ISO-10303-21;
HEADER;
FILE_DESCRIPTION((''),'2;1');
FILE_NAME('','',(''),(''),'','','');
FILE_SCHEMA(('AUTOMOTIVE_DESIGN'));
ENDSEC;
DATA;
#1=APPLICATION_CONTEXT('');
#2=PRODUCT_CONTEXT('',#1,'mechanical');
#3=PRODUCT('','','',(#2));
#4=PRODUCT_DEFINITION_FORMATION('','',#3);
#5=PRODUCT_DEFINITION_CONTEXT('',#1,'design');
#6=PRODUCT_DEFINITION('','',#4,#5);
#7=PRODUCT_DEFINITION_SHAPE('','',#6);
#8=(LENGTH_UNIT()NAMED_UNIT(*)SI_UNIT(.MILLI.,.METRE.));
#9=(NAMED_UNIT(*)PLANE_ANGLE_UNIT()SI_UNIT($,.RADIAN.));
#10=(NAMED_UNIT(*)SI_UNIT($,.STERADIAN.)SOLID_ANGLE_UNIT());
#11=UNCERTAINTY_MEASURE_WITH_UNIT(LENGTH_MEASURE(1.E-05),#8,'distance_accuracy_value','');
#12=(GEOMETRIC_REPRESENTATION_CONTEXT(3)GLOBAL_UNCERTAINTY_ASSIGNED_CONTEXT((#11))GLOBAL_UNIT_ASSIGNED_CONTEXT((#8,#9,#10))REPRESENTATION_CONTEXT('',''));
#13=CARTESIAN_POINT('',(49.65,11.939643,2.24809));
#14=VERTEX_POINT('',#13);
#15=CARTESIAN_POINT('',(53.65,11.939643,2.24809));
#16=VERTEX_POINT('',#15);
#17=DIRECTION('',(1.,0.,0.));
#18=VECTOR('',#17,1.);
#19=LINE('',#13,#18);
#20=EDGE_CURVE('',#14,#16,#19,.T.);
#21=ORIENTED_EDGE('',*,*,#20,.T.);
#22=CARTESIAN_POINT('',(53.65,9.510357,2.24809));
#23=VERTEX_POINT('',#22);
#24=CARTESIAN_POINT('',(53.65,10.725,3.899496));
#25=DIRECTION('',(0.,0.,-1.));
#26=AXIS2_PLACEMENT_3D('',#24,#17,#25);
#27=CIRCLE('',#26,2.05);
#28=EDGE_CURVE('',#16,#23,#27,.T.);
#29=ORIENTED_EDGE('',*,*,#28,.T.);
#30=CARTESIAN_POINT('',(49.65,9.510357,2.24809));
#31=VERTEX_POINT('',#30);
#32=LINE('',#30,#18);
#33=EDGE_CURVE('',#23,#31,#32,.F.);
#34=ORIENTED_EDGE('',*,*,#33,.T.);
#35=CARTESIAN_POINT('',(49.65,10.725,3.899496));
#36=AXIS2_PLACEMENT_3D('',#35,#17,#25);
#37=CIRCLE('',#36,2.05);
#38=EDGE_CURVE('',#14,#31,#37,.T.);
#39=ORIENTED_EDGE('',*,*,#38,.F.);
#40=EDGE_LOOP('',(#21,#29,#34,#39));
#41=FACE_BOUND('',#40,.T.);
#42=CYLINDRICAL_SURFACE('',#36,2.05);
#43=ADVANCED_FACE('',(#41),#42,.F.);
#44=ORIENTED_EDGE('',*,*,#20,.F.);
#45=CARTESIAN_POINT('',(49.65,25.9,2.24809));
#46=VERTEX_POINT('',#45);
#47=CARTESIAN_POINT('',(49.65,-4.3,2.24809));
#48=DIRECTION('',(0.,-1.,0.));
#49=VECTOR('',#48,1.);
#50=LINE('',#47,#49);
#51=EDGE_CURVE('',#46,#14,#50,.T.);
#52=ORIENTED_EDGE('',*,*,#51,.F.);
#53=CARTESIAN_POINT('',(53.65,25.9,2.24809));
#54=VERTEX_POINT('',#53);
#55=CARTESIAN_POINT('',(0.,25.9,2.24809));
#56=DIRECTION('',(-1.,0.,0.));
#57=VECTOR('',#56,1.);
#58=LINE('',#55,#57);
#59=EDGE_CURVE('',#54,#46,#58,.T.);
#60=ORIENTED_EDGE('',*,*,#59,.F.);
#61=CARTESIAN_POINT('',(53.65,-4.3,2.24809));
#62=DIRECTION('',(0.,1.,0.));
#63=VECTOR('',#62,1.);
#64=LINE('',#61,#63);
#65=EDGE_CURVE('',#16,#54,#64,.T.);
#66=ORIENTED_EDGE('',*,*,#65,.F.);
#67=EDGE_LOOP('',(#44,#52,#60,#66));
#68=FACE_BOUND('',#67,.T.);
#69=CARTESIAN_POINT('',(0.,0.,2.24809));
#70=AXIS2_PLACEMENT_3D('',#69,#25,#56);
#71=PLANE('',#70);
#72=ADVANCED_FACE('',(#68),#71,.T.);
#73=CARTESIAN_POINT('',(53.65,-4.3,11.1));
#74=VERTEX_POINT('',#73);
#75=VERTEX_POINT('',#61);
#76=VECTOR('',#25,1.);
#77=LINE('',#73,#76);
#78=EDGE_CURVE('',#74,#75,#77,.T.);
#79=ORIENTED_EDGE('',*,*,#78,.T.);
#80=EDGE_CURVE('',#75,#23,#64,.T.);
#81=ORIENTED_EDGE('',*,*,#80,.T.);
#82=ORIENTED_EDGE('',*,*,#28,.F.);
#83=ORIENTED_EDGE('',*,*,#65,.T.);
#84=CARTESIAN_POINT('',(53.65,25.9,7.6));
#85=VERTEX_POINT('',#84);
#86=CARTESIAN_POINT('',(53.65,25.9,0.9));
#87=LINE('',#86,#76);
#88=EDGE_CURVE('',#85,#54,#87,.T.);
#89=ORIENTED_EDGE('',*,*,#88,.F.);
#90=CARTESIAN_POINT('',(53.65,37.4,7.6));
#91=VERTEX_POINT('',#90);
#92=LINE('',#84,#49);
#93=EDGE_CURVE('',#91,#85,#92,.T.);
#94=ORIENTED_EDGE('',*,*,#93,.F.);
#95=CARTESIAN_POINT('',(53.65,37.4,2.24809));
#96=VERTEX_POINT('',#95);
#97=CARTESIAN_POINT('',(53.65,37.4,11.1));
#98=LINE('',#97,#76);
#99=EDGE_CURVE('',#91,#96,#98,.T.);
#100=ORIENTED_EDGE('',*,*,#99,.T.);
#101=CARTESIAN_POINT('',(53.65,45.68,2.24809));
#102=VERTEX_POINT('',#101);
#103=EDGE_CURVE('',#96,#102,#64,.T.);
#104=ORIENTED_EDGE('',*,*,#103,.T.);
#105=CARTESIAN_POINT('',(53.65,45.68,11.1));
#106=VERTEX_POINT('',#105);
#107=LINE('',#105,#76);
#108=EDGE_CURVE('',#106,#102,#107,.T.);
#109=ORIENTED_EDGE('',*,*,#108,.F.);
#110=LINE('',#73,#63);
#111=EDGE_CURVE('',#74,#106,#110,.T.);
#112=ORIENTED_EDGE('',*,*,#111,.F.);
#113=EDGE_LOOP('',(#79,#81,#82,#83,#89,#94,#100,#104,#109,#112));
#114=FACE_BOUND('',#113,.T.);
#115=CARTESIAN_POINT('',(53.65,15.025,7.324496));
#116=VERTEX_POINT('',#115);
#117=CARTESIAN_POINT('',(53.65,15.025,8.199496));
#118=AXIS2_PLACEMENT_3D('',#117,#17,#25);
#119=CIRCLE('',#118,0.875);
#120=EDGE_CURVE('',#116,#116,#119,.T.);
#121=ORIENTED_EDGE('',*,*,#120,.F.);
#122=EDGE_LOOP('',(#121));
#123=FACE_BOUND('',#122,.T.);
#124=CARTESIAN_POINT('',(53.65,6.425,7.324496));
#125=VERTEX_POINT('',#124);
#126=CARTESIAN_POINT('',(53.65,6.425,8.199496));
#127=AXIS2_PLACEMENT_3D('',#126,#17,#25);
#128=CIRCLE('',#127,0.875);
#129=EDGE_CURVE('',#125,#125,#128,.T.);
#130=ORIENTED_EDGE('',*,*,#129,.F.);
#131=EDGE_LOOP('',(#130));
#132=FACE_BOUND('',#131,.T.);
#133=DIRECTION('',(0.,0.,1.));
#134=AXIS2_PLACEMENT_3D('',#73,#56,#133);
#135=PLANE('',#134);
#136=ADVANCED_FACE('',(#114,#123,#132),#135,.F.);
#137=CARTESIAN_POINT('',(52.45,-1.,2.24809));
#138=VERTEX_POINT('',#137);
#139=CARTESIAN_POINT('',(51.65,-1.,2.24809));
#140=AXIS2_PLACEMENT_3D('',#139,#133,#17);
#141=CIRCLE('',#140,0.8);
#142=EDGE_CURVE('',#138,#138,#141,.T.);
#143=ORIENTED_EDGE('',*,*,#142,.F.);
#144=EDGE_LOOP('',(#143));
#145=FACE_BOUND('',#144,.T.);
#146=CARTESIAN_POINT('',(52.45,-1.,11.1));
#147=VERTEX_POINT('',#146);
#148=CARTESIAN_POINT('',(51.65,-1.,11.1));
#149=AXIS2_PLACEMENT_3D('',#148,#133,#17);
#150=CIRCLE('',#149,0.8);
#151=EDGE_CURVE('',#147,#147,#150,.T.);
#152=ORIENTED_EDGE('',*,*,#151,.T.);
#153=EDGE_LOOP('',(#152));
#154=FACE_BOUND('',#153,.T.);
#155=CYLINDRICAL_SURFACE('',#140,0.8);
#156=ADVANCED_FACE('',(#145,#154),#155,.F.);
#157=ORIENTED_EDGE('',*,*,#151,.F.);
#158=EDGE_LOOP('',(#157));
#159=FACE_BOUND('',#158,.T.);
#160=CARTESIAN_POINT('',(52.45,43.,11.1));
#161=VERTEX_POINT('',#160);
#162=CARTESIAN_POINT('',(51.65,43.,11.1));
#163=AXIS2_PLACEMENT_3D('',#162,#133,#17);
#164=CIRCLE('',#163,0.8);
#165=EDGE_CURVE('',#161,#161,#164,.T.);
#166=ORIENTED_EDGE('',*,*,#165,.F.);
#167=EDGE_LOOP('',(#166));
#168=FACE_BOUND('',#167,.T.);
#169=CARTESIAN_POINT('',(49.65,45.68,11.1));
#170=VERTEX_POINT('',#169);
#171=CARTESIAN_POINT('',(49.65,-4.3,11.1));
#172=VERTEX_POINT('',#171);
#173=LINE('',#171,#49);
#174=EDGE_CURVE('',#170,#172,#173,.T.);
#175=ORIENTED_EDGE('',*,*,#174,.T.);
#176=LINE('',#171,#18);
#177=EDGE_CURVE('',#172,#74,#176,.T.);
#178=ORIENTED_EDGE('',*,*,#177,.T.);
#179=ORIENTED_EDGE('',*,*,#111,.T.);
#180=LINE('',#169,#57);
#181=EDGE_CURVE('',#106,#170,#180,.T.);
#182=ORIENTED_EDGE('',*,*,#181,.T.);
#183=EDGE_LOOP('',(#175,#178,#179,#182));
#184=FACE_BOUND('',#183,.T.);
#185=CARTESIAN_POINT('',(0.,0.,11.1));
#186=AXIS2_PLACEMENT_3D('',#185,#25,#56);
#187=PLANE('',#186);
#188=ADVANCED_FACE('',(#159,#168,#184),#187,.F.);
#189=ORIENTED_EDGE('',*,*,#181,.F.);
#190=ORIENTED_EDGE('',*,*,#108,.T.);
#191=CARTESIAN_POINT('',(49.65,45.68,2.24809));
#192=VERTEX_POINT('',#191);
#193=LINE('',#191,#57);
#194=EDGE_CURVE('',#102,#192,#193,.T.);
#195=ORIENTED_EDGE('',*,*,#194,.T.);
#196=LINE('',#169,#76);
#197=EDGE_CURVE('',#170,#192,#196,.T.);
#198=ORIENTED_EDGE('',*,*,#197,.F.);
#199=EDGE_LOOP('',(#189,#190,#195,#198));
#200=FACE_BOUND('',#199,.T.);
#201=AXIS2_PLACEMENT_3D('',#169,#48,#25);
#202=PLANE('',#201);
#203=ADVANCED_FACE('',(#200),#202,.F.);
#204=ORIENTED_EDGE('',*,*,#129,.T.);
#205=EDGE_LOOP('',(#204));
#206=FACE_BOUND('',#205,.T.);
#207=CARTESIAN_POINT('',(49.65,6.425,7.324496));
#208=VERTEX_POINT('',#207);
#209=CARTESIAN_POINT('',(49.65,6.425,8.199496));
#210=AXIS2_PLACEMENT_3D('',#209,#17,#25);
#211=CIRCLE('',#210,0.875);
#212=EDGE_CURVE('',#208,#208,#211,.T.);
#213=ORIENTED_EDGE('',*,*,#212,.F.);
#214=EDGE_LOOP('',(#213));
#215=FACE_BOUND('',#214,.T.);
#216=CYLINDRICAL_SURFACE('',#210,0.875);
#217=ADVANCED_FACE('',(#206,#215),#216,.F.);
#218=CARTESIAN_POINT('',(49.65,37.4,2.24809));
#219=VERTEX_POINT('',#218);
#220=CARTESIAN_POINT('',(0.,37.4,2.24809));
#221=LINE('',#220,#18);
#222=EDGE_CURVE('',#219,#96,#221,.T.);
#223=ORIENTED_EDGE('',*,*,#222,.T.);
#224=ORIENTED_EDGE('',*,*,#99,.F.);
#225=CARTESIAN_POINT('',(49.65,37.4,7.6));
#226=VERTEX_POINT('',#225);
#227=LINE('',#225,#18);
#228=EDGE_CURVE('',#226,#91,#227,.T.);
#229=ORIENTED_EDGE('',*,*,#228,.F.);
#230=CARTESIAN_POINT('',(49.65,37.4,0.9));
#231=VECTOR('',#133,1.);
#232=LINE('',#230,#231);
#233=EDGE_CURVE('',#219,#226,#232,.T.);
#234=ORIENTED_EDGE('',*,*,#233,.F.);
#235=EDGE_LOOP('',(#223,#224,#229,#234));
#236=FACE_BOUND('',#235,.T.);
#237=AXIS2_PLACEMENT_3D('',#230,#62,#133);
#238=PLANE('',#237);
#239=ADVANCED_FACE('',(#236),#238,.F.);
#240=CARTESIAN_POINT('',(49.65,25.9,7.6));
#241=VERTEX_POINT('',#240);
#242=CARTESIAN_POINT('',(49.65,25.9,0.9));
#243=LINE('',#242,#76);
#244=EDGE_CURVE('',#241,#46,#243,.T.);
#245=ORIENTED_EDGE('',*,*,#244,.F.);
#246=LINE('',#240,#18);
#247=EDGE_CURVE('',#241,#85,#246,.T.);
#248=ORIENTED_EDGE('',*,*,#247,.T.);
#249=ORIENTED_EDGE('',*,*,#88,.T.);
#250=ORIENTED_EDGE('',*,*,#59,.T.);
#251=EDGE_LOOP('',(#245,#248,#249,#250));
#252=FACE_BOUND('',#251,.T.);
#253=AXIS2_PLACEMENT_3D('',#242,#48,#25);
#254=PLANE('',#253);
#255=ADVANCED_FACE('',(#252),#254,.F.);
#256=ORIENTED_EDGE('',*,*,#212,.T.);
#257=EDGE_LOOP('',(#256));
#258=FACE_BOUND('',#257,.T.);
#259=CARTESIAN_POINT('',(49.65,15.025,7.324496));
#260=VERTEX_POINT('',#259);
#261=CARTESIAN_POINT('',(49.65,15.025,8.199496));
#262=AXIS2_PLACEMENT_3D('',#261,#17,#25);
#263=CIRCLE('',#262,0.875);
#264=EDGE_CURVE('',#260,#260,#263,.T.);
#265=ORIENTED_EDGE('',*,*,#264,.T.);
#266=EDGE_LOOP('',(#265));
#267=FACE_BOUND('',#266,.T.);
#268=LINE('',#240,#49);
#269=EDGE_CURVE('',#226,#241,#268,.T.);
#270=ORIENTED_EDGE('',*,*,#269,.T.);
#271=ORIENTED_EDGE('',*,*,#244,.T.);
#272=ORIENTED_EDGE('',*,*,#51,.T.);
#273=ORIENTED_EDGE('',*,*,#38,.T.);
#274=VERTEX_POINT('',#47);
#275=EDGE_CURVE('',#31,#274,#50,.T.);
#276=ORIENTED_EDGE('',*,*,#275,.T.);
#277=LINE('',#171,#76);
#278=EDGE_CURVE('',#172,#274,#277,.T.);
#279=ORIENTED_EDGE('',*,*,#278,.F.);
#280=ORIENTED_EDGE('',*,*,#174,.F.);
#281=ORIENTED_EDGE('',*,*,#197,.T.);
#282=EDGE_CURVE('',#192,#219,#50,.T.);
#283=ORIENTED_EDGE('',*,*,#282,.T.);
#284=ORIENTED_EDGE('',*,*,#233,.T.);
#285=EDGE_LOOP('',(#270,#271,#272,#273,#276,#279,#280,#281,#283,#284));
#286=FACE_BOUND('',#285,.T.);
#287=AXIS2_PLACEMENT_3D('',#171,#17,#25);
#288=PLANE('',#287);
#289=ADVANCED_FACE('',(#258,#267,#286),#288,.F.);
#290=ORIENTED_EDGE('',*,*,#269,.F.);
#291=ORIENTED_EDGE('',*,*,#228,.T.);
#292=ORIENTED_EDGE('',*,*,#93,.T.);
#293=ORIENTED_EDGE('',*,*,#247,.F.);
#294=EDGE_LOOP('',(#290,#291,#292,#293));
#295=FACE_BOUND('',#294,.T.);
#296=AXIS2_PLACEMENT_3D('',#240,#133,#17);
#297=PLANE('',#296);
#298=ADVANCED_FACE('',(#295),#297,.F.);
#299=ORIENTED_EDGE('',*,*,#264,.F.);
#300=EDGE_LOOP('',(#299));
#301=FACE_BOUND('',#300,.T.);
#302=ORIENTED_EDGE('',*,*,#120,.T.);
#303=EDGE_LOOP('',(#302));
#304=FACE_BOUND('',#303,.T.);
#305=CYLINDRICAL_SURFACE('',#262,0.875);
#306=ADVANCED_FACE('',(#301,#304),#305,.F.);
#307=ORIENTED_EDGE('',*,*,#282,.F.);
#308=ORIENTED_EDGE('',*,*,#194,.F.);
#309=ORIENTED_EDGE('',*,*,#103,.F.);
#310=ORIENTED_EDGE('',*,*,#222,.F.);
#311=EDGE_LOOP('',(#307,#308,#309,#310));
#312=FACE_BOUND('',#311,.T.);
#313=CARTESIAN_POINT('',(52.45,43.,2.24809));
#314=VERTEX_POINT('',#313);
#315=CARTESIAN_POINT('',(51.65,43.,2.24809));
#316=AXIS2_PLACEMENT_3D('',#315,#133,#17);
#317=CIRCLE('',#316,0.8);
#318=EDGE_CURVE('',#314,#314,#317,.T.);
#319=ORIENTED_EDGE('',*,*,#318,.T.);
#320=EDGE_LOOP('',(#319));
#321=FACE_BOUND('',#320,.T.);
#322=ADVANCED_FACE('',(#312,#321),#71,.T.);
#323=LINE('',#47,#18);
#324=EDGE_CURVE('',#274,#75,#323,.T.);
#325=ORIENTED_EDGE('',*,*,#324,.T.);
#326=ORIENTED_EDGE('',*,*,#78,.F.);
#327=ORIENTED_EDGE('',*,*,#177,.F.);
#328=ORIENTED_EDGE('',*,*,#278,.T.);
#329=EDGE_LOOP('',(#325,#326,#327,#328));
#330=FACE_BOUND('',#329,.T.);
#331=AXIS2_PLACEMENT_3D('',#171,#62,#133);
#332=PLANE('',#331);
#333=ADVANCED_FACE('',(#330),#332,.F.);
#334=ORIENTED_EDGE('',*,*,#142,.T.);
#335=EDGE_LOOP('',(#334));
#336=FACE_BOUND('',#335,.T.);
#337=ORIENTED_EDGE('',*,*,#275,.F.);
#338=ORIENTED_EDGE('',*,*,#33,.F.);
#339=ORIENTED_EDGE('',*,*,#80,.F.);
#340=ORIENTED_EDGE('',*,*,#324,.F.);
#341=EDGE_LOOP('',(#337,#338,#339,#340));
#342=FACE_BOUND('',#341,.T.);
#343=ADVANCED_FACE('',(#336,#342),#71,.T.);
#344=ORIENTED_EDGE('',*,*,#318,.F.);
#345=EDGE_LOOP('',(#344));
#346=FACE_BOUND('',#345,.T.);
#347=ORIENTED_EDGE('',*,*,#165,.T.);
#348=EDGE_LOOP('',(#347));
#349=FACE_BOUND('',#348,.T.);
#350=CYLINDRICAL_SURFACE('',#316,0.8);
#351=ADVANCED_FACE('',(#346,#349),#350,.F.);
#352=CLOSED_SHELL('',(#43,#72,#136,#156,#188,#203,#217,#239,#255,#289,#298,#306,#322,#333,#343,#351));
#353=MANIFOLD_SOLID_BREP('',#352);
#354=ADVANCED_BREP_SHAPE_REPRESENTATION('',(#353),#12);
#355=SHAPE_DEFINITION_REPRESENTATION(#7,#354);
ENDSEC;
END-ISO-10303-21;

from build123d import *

# Parameters (mm, degrees)
SKETCH_1_W                      = 4
SKETCH_1_H                      = 49.98
RIGHT_RF_PLATE_DEPTH            = 8.851909566
SKETCH_2_R                      = 0.8
FRAME_2XD1P6_THROUGH_DEPTH      = 72.016485431
SKETCH_3_R                      = 2.05
SMA_CENTER_D4P1_DEPTH           = 4
SKETCH_4_R                      = 0.875
SMA_UPPER_2XD1P75_THROUGH_DEPTH = 48.179152176
SKETCH_5_W                      = 6.7
SKETCH_5_H                      = 11.5
TYPEC_WINDOW_11P5X6P7_DEPTH     = 4


with BuildPart() as part:
    # 草图1 → Right_RF_Plate (new body)
    with BuildSketch(Plane.XY):
        with Locations((51.65, 20.69)):
            Rectangle(SKETCH_1_W, SKETCH_1_H)
    extrude(amount=RIGHT_RF_PLATE_DEPTH)


with BuildPart() as part_1:
    # Stock_Z_Position: moved
    add(part.part.moved(Location((0, 0, 2.248090434))))

    # 草图2 → Frame_2xD1p6_Through (cut, through all)
    with BuildSketch(Plane.XY.offset(11.1)):
        with Locations((51.65, -1)):
            Circle(SKETCH_2_R)
        with Locations((51.65, 43)):
            Circle(SKETCH_2_R)
    extrude(amount=-FRAME_2XD1P6_THROUGH_DEPTH, mode=Mode.SUBTRACT)

    # 草图3 → SMA_Center_D4p1 (cut)
    with BuildSketch(Plane(origin=(53.65, 0, 0), x_dir=(0, 0, -1), z_dir=(1, 0, 0))):
        with Locations((-3.899496327, 10.725)):
            Circle(SKETCH_3_R)
    extrude(amount=-SMA_CENTER_D4P1_DEPTH, mode=Mode.SUBTRACT)

    # 草图4 → SMA_Upper_2xD1p75_Through (cut, through all)
    with BuildSketch(Plane(origin=(53.65, 0, 0), x_dir=(0, 0, -1), z_dir=(1, 0, 0))):
        with Locations((-8.199496327, 6.425)):
            Circle(SKETCH_4_R)
        with Locations((-8.199496327, 15.025)):
            Circle(SKETCH_4_R)
    extrude(amount=-SMA_UPPER_2XD1P75_THROUGH_DEPTH, mode=Mode.SUBTRACT)

    # 草图5 → TypeC_Window_11p5x6p7 (cut)
    with BuildSketch(Plane(origin=(53.65, 0, 0), x_dir=(0, 0, -1), z_dir=(1, 0, 0))):
        with Locations((-4.25, 31.65)):
            Rectangle(SKETCH_5_W, SKETCH_5_H)
    extrude(amount=-TYPEC_WINDOW_11P5X6P7_DEPTH, mode=Mode.SUBTRACT)


solid = part_1.part
